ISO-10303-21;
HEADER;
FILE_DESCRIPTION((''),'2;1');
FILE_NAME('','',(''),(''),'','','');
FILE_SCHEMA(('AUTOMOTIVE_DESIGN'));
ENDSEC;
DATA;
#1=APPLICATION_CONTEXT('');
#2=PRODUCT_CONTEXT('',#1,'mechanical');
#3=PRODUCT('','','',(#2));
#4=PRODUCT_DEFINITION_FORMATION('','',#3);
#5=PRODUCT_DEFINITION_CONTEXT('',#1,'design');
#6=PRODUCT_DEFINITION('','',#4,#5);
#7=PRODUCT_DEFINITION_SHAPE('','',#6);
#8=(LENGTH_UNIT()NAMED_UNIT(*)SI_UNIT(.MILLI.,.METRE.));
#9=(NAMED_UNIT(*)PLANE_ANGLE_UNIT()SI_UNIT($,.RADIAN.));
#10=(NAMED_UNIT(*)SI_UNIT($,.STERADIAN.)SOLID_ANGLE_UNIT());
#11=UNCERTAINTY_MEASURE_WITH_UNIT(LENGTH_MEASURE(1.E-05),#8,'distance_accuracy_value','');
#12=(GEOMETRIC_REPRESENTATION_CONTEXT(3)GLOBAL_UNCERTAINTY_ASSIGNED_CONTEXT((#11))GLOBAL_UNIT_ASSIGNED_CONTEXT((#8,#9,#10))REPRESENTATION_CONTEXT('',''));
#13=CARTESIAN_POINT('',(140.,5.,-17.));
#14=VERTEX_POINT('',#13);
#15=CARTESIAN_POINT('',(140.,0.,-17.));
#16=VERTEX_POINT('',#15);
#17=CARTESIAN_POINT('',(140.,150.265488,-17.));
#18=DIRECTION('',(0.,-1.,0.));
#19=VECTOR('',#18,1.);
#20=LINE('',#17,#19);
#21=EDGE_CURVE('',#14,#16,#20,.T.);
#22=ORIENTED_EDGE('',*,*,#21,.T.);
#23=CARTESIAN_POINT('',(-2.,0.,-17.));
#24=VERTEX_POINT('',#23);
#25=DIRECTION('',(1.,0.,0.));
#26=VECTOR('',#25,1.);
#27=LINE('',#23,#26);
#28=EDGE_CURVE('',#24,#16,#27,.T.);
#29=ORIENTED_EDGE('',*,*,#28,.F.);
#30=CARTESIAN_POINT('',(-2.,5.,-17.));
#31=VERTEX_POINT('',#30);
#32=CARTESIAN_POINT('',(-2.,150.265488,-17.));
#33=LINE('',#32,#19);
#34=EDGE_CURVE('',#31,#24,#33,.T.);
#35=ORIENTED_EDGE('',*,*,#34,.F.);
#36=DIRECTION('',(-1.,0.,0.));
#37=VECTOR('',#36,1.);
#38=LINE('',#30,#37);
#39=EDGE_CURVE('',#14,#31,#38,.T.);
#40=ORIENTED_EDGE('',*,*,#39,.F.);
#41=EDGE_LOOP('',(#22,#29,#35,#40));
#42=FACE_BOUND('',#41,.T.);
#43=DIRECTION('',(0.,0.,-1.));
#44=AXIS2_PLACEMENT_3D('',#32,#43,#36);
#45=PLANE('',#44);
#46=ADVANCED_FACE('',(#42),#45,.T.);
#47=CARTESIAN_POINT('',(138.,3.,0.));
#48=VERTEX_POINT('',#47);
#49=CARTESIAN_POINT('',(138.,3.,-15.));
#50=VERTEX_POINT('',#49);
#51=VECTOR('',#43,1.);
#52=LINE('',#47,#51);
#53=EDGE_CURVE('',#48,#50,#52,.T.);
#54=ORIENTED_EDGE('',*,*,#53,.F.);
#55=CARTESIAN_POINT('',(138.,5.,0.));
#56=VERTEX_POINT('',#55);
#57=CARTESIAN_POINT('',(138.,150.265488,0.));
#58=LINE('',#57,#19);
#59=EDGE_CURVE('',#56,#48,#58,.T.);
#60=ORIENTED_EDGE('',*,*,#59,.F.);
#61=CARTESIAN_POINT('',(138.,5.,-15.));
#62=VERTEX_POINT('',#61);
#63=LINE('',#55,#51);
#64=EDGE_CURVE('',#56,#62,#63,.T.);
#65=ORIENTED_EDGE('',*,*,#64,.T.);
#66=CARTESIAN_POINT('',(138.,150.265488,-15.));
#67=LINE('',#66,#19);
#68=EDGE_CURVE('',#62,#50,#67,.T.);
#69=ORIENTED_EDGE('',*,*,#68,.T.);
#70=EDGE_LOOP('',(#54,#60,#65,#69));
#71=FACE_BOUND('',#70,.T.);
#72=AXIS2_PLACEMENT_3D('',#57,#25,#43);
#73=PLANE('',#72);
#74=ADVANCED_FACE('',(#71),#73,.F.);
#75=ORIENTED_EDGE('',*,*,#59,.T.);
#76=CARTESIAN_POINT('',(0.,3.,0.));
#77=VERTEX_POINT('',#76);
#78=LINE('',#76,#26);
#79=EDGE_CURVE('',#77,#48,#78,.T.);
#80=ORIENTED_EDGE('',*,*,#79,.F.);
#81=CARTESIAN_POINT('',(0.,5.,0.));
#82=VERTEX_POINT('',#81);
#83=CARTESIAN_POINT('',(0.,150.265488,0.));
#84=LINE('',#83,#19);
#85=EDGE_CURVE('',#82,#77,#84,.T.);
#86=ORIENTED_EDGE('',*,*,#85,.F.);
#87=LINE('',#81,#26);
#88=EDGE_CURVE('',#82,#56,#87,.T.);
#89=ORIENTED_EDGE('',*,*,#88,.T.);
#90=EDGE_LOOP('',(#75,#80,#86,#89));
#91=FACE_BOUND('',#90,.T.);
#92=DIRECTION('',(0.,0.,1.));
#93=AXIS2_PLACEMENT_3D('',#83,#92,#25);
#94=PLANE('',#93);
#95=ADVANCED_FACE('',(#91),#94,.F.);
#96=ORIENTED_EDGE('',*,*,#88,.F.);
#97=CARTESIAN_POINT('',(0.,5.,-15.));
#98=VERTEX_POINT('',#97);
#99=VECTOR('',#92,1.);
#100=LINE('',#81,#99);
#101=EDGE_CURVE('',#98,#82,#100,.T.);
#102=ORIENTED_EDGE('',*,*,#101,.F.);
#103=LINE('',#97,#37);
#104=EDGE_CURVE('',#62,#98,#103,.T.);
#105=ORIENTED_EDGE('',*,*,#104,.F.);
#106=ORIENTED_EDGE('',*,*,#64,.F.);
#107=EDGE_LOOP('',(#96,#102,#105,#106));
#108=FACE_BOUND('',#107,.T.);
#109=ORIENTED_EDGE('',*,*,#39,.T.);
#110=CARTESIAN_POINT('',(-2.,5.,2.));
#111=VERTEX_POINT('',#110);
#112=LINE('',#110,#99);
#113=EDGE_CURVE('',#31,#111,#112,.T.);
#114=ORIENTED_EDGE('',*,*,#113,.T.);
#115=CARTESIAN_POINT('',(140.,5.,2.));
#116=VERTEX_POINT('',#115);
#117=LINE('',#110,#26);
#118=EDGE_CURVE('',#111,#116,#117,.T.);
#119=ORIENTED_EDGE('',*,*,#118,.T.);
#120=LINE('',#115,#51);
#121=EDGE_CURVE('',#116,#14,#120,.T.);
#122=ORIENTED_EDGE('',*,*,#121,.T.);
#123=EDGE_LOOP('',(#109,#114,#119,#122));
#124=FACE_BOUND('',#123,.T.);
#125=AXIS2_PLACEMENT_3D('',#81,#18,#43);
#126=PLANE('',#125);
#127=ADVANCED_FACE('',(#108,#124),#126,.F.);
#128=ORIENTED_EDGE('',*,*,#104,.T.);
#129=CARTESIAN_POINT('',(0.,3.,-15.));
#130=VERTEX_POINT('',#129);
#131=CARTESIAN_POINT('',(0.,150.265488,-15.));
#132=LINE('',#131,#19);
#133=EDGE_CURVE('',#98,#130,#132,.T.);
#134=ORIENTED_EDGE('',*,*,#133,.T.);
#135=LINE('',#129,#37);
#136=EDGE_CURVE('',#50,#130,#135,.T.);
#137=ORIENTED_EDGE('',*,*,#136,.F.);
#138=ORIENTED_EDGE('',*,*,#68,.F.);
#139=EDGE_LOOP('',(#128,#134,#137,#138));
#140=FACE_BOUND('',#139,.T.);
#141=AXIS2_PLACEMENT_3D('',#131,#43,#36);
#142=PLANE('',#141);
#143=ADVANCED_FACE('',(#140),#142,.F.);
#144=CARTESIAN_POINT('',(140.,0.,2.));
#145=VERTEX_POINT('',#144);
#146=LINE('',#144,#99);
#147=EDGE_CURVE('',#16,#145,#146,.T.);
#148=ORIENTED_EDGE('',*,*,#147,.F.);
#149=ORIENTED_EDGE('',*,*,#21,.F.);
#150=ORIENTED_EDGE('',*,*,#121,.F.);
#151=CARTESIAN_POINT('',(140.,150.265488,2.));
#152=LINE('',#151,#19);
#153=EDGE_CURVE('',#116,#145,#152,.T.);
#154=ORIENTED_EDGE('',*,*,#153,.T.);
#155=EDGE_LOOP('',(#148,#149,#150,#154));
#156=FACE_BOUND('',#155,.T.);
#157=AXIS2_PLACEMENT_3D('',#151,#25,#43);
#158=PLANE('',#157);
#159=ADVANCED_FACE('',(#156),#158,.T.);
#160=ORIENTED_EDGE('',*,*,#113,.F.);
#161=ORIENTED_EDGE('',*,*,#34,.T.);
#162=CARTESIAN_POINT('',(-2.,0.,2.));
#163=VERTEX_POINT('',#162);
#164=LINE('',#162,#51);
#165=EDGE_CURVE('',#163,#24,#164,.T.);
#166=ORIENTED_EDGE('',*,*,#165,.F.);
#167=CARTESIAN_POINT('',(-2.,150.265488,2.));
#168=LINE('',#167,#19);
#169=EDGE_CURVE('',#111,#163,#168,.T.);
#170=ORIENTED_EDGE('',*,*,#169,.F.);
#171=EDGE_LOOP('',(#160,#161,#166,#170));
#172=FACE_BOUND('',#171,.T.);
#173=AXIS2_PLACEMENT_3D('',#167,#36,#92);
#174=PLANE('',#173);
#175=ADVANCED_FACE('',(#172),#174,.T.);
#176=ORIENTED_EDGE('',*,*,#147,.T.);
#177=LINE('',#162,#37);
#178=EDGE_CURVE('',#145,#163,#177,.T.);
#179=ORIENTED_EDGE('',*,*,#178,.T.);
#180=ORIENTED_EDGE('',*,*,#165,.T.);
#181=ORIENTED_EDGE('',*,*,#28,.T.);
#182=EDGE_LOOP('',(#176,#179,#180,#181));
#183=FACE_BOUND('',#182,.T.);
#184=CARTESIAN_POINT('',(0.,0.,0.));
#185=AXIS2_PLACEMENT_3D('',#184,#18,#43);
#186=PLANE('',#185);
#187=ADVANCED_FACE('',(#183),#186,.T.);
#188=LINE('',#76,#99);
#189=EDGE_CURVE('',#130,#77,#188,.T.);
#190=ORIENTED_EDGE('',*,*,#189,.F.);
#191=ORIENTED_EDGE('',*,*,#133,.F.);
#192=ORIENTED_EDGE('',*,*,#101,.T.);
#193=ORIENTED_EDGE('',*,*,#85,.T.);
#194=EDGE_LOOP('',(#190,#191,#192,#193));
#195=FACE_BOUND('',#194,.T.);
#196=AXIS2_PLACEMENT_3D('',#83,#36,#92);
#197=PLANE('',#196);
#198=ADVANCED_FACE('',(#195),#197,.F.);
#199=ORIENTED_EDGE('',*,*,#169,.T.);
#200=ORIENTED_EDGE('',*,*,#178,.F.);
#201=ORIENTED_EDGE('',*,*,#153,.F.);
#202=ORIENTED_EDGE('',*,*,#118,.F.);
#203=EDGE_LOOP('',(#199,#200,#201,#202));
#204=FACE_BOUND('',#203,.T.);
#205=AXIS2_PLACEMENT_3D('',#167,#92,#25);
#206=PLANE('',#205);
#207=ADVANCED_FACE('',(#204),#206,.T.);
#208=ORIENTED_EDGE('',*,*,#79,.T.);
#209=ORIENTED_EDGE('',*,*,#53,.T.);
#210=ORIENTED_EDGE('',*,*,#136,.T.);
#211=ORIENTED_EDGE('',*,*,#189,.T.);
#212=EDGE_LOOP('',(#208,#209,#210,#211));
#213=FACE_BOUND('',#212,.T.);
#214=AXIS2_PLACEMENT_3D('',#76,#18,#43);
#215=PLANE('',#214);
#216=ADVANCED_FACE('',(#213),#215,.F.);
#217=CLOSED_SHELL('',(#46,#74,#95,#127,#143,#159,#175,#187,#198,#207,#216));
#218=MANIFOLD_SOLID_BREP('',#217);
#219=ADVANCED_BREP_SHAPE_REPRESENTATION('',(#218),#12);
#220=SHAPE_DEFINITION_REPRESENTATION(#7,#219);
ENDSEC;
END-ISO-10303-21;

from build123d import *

# Parameters (mm, degrees)
SKETCH1_W           = 138
SKETCH1_H           = 15
BOSS_EXTRUDE1_DEPTH = 3
SKETCH2_W           = 142
SKETCH2_H           = 19
SKETCH2_W_2         = 138
SKETCH2_H_2         = 15
BOSS_EXTRUDE2_DEPTH = 5


with BuildPart() as part:
    # Sketch1 → Boss-Extrude1 (new body)
    with BuildSketch(Plane(origin=(0, 0, 0), x_dir=(1, 0, 0), z_dir=(0, 1, 0))):
        with Locations((69, 7.5)):
            Rectangle(SKETCH1_W, SKETCH1_H)
    extrude(amount=BOSS_EXTRUDE1_DEPTH)

    # Sketch2 → Boss-Extrude2 (add)
    with BuildSketch(Plane.XZ):
        with Locations((69, -7.5)):
            Rectangle(SKETCH2_W, SKETCH2_H)
        with Locations((69, -7.5)):
            Rectangle(SKETCH2_W_2, SKETCH2_H_2, mode=Mode.SUBTRACT)
    extrude(amount=-BOSS_EXTRUDE2_DEPTH)


solid = part.part
